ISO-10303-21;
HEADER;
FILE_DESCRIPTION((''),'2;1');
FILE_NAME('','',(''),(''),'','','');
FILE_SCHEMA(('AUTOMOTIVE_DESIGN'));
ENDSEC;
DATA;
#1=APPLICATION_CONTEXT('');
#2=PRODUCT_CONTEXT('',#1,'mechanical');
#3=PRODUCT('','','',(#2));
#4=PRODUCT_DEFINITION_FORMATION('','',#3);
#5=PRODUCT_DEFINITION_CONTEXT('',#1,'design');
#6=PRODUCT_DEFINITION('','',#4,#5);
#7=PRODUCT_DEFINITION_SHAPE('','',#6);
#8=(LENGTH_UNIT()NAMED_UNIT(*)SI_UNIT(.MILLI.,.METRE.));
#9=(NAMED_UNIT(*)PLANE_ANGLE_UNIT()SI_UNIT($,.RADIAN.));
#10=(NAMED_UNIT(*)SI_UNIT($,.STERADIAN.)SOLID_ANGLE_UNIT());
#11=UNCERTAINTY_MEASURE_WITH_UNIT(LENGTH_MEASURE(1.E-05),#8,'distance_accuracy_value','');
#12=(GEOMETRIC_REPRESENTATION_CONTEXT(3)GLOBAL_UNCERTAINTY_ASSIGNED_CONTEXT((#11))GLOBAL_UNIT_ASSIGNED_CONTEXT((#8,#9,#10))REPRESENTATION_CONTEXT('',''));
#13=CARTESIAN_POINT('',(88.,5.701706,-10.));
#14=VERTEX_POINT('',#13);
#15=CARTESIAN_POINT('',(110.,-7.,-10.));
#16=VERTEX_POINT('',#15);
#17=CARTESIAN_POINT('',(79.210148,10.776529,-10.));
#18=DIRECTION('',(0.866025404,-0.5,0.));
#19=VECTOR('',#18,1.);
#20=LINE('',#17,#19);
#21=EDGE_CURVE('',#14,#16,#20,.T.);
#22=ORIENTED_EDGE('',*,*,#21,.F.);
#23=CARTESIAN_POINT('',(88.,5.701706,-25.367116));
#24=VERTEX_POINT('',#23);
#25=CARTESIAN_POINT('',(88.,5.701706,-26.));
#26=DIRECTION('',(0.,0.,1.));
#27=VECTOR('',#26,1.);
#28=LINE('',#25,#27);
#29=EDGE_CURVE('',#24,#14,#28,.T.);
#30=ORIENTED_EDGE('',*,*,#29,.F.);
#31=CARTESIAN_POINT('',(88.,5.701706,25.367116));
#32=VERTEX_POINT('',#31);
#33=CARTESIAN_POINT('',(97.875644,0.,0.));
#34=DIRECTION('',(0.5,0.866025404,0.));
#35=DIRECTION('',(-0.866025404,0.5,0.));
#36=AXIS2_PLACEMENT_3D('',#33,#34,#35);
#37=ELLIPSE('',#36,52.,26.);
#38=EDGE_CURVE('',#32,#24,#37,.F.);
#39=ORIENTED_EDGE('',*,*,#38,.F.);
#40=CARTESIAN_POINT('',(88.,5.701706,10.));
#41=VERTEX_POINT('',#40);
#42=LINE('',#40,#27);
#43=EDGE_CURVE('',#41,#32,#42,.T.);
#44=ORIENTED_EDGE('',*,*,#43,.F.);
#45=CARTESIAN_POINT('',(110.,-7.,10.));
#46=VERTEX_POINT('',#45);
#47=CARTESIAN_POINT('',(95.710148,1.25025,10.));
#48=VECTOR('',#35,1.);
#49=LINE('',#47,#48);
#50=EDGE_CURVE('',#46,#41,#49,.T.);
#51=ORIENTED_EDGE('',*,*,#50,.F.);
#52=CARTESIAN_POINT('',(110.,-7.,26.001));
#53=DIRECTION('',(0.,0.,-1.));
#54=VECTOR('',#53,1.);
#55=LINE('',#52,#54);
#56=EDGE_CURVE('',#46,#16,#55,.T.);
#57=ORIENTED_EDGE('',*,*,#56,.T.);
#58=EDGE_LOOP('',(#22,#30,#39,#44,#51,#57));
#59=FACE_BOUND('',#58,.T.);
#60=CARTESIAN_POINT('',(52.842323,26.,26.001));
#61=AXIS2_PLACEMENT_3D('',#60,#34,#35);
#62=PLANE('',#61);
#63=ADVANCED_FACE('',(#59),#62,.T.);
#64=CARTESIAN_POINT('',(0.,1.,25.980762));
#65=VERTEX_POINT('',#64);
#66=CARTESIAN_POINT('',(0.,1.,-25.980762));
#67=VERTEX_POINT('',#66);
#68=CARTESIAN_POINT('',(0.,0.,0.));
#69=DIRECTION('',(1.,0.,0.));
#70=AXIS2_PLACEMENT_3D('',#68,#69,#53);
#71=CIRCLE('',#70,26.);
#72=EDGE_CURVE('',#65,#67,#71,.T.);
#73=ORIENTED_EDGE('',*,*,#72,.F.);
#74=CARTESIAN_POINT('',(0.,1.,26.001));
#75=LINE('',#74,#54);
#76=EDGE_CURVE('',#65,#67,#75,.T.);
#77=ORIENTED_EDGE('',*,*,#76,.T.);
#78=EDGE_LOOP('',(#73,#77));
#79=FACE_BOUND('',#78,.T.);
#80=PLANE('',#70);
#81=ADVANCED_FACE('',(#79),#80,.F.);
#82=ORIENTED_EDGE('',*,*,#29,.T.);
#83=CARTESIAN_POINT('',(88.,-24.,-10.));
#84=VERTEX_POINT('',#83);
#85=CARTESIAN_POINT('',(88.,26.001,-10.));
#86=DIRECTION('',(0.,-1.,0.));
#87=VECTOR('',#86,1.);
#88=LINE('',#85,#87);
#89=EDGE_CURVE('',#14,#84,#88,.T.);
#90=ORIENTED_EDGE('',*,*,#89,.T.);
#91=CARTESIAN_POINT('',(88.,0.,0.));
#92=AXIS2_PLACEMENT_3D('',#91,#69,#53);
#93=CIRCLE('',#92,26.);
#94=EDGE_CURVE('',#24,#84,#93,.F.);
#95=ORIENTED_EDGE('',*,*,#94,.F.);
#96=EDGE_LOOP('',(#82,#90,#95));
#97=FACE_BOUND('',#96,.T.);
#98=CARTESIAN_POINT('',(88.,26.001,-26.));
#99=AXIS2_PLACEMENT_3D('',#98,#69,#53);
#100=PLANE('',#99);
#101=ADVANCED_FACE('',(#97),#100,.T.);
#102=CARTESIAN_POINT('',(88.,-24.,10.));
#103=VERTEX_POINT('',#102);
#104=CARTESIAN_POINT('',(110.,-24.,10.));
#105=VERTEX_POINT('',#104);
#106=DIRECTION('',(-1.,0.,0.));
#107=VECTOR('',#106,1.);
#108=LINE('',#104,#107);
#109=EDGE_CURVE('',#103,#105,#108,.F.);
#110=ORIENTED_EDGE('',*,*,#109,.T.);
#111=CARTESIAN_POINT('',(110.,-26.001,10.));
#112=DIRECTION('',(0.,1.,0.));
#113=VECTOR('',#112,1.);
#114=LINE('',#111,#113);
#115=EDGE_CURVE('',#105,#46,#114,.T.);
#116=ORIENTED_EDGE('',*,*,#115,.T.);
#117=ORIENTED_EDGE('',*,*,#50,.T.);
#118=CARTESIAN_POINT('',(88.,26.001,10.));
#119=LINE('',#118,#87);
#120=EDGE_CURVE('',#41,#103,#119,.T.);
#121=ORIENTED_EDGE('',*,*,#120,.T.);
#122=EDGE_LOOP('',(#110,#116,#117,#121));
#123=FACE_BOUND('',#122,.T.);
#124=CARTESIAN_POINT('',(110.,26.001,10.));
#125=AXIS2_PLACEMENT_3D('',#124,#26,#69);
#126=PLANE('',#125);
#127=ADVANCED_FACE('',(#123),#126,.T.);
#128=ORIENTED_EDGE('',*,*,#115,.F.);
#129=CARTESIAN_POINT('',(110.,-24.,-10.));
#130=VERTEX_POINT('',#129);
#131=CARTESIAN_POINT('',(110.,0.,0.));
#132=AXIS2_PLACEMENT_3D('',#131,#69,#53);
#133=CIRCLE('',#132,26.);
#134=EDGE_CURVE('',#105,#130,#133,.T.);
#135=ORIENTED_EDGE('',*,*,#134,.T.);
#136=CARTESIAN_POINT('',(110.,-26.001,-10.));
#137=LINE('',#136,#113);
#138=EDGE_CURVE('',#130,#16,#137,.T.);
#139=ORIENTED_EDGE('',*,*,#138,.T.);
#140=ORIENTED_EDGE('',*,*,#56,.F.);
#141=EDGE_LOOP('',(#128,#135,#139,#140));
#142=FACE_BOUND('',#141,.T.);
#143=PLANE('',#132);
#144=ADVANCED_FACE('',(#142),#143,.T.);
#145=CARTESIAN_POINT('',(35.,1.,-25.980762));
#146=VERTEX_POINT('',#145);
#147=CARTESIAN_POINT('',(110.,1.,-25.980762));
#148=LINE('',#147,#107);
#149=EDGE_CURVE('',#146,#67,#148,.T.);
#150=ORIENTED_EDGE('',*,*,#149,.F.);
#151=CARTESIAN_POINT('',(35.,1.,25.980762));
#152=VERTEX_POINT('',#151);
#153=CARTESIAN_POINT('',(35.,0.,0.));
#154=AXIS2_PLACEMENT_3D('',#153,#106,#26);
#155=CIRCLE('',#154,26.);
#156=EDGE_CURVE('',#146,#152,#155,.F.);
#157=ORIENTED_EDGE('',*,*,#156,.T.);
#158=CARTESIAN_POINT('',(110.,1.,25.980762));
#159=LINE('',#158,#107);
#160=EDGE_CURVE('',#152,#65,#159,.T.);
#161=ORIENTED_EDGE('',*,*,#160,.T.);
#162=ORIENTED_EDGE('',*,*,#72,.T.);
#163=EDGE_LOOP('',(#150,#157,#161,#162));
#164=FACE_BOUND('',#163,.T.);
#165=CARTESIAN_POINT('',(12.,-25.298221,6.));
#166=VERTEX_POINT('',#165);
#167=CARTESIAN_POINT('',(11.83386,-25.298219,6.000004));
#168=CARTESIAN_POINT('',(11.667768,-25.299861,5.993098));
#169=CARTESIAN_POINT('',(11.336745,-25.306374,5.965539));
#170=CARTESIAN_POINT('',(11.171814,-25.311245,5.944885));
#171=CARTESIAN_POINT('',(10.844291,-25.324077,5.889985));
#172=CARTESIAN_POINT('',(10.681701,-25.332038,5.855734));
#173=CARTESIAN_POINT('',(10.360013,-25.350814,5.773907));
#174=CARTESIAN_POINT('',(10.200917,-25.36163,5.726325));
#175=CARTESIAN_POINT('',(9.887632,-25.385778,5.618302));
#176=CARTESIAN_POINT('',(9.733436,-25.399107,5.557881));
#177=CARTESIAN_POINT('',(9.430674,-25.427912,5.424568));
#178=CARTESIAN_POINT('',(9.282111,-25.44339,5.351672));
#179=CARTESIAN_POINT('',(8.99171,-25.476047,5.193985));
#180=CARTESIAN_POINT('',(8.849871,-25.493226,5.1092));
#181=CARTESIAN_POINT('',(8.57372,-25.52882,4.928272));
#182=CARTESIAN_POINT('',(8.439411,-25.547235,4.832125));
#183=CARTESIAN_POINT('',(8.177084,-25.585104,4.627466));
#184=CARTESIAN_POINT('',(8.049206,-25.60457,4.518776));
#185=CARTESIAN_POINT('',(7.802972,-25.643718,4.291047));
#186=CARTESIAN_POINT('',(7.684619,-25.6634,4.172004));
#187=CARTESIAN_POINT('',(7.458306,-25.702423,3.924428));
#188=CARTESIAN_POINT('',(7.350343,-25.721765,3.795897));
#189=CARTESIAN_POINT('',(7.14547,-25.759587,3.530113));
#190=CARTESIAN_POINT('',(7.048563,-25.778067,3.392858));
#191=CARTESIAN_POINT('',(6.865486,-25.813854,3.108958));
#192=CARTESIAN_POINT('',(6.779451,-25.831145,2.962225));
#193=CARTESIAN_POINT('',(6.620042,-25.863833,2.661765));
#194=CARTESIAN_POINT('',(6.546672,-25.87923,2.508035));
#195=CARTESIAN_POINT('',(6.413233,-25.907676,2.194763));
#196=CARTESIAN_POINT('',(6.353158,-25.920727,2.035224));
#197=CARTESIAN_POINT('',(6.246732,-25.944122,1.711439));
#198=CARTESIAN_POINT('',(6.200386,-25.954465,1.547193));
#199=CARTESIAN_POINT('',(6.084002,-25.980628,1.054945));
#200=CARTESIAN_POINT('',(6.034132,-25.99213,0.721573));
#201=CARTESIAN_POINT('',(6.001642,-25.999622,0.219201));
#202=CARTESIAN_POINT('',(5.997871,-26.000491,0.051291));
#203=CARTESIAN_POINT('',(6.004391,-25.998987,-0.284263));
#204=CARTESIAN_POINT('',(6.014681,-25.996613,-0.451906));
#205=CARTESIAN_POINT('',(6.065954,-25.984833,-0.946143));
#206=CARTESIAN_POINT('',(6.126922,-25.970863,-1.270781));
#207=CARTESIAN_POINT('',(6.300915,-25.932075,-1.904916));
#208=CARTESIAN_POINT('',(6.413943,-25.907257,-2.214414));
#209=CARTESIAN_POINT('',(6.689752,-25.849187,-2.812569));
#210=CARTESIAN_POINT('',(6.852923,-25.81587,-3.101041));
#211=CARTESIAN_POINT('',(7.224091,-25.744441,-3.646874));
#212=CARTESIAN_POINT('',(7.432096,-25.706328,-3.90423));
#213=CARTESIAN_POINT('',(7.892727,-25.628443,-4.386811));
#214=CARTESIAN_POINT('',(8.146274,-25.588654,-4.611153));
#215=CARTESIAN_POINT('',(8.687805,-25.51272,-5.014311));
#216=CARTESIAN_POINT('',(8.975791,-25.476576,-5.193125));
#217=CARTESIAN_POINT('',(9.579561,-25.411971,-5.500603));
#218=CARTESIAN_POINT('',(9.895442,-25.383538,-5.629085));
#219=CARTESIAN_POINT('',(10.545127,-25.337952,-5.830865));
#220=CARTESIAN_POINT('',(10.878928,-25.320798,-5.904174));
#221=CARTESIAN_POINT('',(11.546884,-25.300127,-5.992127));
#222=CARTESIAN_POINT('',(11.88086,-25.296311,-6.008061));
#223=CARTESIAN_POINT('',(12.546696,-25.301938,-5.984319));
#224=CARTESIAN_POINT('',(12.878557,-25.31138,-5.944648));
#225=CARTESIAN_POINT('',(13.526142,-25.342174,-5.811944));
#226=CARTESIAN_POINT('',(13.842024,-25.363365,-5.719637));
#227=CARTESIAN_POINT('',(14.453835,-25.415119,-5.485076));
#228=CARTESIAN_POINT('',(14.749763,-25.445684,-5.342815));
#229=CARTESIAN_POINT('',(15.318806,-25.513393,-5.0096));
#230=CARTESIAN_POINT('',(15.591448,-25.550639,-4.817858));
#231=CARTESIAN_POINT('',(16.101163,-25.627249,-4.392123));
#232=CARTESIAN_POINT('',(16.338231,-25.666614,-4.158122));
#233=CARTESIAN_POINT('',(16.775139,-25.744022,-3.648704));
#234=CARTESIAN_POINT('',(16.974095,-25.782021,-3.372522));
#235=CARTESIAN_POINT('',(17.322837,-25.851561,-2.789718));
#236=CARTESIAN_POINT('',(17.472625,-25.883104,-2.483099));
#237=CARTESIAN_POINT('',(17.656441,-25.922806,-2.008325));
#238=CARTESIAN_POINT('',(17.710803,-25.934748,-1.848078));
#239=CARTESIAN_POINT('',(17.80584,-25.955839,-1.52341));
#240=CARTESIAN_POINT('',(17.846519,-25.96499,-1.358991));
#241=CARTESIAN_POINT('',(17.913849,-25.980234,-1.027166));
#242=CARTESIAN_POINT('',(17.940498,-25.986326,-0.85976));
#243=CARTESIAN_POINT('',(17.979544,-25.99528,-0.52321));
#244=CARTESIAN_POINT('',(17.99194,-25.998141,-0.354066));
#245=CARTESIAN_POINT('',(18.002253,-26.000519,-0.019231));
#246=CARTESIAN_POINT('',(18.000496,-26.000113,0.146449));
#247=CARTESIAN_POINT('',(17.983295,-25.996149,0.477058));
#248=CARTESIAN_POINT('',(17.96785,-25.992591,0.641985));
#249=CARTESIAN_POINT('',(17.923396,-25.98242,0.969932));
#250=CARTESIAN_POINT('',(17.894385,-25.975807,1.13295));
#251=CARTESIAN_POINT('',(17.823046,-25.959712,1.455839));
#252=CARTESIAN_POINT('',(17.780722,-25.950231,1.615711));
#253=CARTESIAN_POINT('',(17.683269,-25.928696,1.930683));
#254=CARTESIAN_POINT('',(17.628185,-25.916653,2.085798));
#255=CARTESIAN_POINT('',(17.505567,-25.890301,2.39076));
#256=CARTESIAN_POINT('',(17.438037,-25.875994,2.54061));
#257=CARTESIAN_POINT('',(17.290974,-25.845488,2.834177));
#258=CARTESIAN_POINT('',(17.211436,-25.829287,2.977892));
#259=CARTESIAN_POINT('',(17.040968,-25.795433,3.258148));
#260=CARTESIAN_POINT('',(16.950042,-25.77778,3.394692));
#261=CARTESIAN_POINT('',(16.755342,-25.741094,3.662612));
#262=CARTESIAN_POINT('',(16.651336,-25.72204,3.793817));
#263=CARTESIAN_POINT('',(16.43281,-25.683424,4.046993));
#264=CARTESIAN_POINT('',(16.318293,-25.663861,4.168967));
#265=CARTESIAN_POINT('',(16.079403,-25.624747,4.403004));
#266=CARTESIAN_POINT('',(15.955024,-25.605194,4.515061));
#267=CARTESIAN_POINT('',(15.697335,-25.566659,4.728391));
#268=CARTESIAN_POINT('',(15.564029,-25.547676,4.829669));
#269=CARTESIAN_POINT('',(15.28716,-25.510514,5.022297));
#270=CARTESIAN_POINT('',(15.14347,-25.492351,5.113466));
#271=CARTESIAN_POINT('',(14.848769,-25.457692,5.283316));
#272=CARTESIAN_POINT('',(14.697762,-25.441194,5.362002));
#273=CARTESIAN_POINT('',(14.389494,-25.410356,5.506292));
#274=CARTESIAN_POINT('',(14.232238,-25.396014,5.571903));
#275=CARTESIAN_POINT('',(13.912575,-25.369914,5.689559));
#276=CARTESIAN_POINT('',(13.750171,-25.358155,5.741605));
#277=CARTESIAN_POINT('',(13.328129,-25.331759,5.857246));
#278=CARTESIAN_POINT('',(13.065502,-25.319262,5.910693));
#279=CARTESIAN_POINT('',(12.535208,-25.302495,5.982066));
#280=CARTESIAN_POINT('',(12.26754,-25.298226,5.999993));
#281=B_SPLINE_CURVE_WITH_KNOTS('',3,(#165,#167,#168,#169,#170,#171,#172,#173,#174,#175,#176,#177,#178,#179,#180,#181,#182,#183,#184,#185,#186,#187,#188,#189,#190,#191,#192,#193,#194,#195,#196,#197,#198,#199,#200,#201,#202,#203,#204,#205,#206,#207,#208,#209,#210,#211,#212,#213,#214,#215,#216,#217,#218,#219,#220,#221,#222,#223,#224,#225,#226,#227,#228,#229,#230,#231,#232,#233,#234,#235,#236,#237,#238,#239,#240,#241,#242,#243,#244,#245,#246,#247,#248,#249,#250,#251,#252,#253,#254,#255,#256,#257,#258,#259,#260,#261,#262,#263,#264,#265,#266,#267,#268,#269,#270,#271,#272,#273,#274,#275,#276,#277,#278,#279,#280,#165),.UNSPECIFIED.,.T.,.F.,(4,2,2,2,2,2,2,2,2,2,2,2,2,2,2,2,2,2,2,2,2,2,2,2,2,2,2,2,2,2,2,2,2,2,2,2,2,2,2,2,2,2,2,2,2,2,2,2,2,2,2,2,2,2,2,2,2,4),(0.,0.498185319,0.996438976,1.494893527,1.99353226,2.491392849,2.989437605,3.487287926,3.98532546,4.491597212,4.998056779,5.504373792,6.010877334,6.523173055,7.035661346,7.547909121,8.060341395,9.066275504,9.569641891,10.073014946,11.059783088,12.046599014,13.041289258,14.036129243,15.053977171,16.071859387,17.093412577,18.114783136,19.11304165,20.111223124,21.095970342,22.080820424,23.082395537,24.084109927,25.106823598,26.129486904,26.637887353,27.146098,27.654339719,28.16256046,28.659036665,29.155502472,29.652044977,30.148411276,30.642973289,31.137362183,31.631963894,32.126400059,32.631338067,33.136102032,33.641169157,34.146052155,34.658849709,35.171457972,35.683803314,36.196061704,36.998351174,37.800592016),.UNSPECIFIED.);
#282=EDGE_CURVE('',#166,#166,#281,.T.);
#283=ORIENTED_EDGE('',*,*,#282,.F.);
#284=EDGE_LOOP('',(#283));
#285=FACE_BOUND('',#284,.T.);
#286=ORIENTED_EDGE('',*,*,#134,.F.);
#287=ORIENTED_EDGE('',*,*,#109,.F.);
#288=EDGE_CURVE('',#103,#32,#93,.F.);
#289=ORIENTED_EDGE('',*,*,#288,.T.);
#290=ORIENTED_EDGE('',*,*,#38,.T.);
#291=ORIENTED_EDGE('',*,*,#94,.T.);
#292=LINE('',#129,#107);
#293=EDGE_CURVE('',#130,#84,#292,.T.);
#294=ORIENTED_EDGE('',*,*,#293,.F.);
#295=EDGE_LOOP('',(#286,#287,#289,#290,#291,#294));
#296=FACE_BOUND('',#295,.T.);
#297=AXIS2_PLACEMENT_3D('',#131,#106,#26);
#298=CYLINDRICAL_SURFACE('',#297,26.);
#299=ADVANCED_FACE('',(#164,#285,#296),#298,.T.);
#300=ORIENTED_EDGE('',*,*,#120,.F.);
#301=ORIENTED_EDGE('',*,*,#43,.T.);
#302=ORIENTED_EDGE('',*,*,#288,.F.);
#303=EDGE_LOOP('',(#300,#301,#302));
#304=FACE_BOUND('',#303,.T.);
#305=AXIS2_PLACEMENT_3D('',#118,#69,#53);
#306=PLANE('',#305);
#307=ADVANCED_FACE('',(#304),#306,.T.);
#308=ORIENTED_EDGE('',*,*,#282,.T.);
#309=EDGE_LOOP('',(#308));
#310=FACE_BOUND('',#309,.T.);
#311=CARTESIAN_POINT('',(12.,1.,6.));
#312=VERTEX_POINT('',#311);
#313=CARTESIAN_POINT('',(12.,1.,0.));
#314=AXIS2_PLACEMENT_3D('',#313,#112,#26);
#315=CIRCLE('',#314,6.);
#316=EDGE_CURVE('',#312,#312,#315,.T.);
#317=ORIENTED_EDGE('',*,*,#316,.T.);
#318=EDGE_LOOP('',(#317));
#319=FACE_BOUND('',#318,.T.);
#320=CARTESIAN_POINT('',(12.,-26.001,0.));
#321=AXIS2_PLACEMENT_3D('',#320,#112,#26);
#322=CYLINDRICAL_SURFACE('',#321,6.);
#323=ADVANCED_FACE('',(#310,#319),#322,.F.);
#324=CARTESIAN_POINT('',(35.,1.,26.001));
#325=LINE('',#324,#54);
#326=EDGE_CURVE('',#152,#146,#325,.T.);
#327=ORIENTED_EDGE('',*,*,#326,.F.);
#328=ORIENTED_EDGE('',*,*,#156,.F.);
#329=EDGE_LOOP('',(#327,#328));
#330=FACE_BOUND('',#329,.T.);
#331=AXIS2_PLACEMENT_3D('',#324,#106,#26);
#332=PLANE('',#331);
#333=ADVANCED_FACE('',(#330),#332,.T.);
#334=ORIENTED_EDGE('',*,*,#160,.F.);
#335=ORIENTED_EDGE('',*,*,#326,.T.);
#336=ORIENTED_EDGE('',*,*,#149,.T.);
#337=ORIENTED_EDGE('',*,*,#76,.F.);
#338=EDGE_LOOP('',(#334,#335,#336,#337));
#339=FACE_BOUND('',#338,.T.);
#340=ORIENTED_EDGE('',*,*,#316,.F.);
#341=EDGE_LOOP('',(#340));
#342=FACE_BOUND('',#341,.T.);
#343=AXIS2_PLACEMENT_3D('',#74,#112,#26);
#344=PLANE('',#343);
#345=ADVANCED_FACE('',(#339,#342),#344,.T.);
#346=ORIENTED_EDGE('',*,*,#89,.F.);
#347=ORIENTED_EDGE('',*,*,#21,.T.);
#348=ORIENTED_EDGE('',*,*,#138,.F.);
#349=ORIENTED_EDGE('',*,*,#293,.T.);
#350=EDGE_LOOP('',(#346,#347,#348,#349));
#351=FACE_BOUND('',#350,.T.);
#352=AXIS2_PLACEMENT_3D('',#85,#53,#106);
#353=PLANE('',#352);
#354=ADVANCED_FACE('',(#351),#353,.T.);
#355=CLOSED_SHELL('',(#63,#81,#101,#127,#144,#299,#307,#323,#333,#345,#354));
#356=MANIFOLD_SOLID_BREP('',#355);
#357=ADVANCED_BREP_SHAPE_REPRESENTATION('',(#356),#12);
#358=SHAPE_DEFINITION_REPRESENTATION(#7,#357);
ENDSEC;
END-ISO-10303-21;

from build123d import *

# Parameters (mm, degrees)
SKETCH2_R                           = 26
BOSS_EXTRUDE1_DEPTH                 = 110
CUT_EXTRUDE1_REACH                  = 117.983
CUT_EXTRUDE1_END_RADIUS             = 26
SKETCH3_W                           = 35
SKETCH3_H                           = 25
CUT_EXTRUDE1_DIRECTION_2_REACH      = 117.983
CUT_EXTRUDE1_DIRECTION_2_END_RADIUS = 26
CUT_EXTRUDE2_REACH                  = 118.211
CUT_EXTRUDE2_END_RADIUS             = 26
SKETCH4_R                           = 6
CUT_EXTRUDE4_REACH                  = 117.983
SKETCH6_W                           = 22
SKETCH6_H                           = 16
CUT_EXTRUDE4_DIRECTION_2_REACH      = 117.983


with BuildPart() as part:
    # Sketch2 → Boss-Extrude1 (new body)
    with BuildSketch(Plane(origin=(0, 0, 0), x_dir=(0, 0, -1), z_dir=(1, 0, 0))):
        Circle(SKETCH2_R)
    extrude(amount=BOSS_EXTRUDE1_DEPTH)

    # Cut-Extrude1: up to this cylinder (the profile starts inside it)
    cut_extrude1_end = Plane(origin=(54.2237205, 0, 0), z_dir=(-1, 0, 0)) * Cylinder(CUT_EXTRUDE1_END_RADIUS, 362.413441, mode=Mode.PRIVATE)
    # Sketch3 → Cut-Extrude1 (cut, up to the surface)
    with BuildSketch(Plane.XY, mode=Mode.PRIVATE) as cut_extrude1_sk1:
        with Locations((17.5, 13.5)):
            Rectangle(SKETCH3_W, SKETCH3_H)
    cut_extrude1_tool1 = extrude(cut_extrude1_sk1.sketch, amount=-CUT_EXTRUDE1_REACH, mode=Mode.PRIVATE) & cut_extrude1_end
    add(cut_extrude1_tool1.solids().sort_by_distance((17.5, 13.5, 0))[0], mode=Mode.SUBTRACT)
    # Sketch3 → Cut-Extrude1 (cut, up to the surface)
    with BuildSketch(Plane.XY, mode=Mode.PRIVATE) as cut_extrude1_sk2:
        Polygon((52.84232335, 26), (110, -7), (110, 26), align=None)
    cut_extrude1_tool2 = extrude(cut_extrude1_sk2.sketch, amount=-CUT_EXTRUDE1_REACH, mode=Mode.PRIVATE) & cut_extrude1_end
    add(cut_extrude1_tool2.solids().sort_by_distance((90.947441, 15, 0))[0], mode=Mode.SUBTRACT)

    # Cut-Extrude1 direction 2: up to this cylinder (the profile starts inside it)
    cut_extrude1_direction_2_end = Plane(origin=(54.2237205, 0, 0), z_dir=(-1, 0, 0)) * Cylinder(CUT_EXTRUDE1_DIRECTION_2_END_RADIUS, 362.413441, mode=Mode.PRIVATE)
    # Sketch3 → Cut-Extrude1 direction 2 (cut, up to the surface)
    with BuildSketch(Plane.XY, mode=Mode.PRIVATE) as cut_extrude1_direction_2_sk1:
        with Locations((17.5, 13.5)):
            Rectangle(SKETCH3_W, SKETCH3_H)
    cut_extrude1_direction_2_tool1 = extrude(cut_extrude1_direction_2_sk1.sketch, amount=CUT_EXTRUDE1_DIRECTION_2_REACH, mode=Mode.PRIVATE) & cut_extrude1_direction_2_end
    add(cut_extrude1_direction_2_tool1.solids().sort_by_distance((17.5, 13.5, 0))[0], mode=Mode.SUBTRACT)
    # Sketch3 → Cut-Extrude1 direction 2 (cut, up to the surface)
    with BuildSketch(Plane.XY, mode=Mode.PRIVATE) as cut_extrude1_direction_2_sk2:
        Polygon((52.84232335, 26), (110, -7), (110, 26), align=None)
    cut_extrude1_direction_2_tool2 = extrude(cut_extrude1_direction_2_sk2.sketch, amount=CUT_EXTRUDE1_DIRECTION_2_REACH, mode=Mode.PRIVATE) & cut_extrude1_direction_2_end
    add(cut_extrude1_direction_2_tool2.solids().sort_by_distance((90.947441, 15, 0))[0], mode=Mode.SUBTRACT)

    # Cut-Extrude2: up to this cylinder (the profile starts inside it)
    cut_extrude2_end = Plane(origin=(12, 0, 0), z_dir=(-1, 0, 0)) * Cylinder(CUT_EXTRUDE2_END_RADIUS, 289.422, mode=Mode.PRIVATE)
    # Sketch4 → Cut-Extrude2 (cut, up to the surface)
    with BuildSketch(Plane(origin=(0, 1, 0), x_dir=(1, 0, 0), z_dir=(0, 1, 0)), mode=Mode.PRIVATE) as cut_extrude2_sk1:
        with Locations(Location((12, 0, 0), (0, 0, 270))):
            Circle(SKETCH4_R)
    cut_extrude2_tool1 = extrude(cut_extrude2_sk1.sketch, amount=-CUT_EXTRUDE2_REACH, mode=Mode.PRIVATE) & cut_extrude2_end
    add(cut_extrude2_tool1.solids().sort_by_distance((12, 1, 0))[0], mode=Mode.SUBTRACT)

    # Sketch6 → Cut-Extrude4 (cut, up to next)
    with BuildSketch(Plane(origin=(0, 0, 0), x_dir=(1, 0, 0), z_dir=(0, 1, 0)), mode=Mode.PRIVATE) as cut_extrude4_sk1:
        with Locations((99, 18)):
            Rectangle(SKETCH6_W, SKETCH6_H)
    cut_extrude4_tool1 = extrude(cut_extrude4_sk1.sketch, amount=-CUT_EXTRUDE4_REACH, mode=Mode.PRIVATE) & part.part
    # Sketch6 → Cut-Extrude4 (cut, up to next)
    with BuildSketch(Plane(origin=(0, 0, 0), x_dir=(1, 0, 0), z_dir=(0, 1, 0)), mode=Mode.PRIVATE) as cut_extrude4_sk2:
        with Locations((99, -18)):
            Rectangle(SKETCH6_W, SKETCH6_H)
    cut_extrude4_tool2 = extrude(cut_extrude4_sk2.sketch, amount=-CUT_EXTRUDE4_REACH, mode=Mode.PRIVATE) & part.part
    add(cut_extrude4_tool1.solids().sort_by_distance((99, 0, -18))[0], mode=Mode.SUBTRACT)
    add(cut_extrude4_tool2.solids().sort_by_distance((99, 0, 18))[0], mode=Mode.SUBTRACT)

    # Sketch6 → Cut-Extrude4 direction 2 (cut, up to next)
    with BuildSketch(Plane(origin=(0, 0, 0), x_dir=(1, 0, 0), z_dir=(0, 1, 0)), mode=Mode.PRIVATE) as cut_extrude4_direction_2_sk1:
        with Locations((99, 18)):
            Rectangle(SKETCH6_W, SKETCH6_H)
    cut_extrude4_direction_2_tool1 = extrude(cut_extrude4_direction_2_sk1.sketch, amount=CUT_EXTRUDE4_DIRECTION_2_REACH, mode=Mode.PRIVATE) & part.part
    # Sketch6 → Cut-Extrude4 direction 2 (cut, up to next)
    with BuildSketch(Plane(origin=(0, 0, 0), x_dir=(1, 0, 0), z_dir=(0, 1, 0)), mode=Mode.PRIVATE) as cut_extrude4_direction_2_sk2:
        with Locations((99, -18)):
            Rectangle(SKETCH6_W, SKETCH6_H)
    cut_extrude4_direction_2_tool2 = extrude(cut_extrude4_direction_2_sk2.sketch, amount=CUT_EXTRUDE4_DIRECTION_2_REACH, mode=Mode.PRIVATE) & part.part
    add(cut_extrude4_direction_2_tool1.solids().sort_by_distance((99, 0, -18))[0], mode=Mode.SUBTRACT)
    add(cut_extrude4_direction_2_tool2.solids().sort_by_distance((99, 0, 18))[0], mode=Mode.SUBTRACT)


solid = part.part
